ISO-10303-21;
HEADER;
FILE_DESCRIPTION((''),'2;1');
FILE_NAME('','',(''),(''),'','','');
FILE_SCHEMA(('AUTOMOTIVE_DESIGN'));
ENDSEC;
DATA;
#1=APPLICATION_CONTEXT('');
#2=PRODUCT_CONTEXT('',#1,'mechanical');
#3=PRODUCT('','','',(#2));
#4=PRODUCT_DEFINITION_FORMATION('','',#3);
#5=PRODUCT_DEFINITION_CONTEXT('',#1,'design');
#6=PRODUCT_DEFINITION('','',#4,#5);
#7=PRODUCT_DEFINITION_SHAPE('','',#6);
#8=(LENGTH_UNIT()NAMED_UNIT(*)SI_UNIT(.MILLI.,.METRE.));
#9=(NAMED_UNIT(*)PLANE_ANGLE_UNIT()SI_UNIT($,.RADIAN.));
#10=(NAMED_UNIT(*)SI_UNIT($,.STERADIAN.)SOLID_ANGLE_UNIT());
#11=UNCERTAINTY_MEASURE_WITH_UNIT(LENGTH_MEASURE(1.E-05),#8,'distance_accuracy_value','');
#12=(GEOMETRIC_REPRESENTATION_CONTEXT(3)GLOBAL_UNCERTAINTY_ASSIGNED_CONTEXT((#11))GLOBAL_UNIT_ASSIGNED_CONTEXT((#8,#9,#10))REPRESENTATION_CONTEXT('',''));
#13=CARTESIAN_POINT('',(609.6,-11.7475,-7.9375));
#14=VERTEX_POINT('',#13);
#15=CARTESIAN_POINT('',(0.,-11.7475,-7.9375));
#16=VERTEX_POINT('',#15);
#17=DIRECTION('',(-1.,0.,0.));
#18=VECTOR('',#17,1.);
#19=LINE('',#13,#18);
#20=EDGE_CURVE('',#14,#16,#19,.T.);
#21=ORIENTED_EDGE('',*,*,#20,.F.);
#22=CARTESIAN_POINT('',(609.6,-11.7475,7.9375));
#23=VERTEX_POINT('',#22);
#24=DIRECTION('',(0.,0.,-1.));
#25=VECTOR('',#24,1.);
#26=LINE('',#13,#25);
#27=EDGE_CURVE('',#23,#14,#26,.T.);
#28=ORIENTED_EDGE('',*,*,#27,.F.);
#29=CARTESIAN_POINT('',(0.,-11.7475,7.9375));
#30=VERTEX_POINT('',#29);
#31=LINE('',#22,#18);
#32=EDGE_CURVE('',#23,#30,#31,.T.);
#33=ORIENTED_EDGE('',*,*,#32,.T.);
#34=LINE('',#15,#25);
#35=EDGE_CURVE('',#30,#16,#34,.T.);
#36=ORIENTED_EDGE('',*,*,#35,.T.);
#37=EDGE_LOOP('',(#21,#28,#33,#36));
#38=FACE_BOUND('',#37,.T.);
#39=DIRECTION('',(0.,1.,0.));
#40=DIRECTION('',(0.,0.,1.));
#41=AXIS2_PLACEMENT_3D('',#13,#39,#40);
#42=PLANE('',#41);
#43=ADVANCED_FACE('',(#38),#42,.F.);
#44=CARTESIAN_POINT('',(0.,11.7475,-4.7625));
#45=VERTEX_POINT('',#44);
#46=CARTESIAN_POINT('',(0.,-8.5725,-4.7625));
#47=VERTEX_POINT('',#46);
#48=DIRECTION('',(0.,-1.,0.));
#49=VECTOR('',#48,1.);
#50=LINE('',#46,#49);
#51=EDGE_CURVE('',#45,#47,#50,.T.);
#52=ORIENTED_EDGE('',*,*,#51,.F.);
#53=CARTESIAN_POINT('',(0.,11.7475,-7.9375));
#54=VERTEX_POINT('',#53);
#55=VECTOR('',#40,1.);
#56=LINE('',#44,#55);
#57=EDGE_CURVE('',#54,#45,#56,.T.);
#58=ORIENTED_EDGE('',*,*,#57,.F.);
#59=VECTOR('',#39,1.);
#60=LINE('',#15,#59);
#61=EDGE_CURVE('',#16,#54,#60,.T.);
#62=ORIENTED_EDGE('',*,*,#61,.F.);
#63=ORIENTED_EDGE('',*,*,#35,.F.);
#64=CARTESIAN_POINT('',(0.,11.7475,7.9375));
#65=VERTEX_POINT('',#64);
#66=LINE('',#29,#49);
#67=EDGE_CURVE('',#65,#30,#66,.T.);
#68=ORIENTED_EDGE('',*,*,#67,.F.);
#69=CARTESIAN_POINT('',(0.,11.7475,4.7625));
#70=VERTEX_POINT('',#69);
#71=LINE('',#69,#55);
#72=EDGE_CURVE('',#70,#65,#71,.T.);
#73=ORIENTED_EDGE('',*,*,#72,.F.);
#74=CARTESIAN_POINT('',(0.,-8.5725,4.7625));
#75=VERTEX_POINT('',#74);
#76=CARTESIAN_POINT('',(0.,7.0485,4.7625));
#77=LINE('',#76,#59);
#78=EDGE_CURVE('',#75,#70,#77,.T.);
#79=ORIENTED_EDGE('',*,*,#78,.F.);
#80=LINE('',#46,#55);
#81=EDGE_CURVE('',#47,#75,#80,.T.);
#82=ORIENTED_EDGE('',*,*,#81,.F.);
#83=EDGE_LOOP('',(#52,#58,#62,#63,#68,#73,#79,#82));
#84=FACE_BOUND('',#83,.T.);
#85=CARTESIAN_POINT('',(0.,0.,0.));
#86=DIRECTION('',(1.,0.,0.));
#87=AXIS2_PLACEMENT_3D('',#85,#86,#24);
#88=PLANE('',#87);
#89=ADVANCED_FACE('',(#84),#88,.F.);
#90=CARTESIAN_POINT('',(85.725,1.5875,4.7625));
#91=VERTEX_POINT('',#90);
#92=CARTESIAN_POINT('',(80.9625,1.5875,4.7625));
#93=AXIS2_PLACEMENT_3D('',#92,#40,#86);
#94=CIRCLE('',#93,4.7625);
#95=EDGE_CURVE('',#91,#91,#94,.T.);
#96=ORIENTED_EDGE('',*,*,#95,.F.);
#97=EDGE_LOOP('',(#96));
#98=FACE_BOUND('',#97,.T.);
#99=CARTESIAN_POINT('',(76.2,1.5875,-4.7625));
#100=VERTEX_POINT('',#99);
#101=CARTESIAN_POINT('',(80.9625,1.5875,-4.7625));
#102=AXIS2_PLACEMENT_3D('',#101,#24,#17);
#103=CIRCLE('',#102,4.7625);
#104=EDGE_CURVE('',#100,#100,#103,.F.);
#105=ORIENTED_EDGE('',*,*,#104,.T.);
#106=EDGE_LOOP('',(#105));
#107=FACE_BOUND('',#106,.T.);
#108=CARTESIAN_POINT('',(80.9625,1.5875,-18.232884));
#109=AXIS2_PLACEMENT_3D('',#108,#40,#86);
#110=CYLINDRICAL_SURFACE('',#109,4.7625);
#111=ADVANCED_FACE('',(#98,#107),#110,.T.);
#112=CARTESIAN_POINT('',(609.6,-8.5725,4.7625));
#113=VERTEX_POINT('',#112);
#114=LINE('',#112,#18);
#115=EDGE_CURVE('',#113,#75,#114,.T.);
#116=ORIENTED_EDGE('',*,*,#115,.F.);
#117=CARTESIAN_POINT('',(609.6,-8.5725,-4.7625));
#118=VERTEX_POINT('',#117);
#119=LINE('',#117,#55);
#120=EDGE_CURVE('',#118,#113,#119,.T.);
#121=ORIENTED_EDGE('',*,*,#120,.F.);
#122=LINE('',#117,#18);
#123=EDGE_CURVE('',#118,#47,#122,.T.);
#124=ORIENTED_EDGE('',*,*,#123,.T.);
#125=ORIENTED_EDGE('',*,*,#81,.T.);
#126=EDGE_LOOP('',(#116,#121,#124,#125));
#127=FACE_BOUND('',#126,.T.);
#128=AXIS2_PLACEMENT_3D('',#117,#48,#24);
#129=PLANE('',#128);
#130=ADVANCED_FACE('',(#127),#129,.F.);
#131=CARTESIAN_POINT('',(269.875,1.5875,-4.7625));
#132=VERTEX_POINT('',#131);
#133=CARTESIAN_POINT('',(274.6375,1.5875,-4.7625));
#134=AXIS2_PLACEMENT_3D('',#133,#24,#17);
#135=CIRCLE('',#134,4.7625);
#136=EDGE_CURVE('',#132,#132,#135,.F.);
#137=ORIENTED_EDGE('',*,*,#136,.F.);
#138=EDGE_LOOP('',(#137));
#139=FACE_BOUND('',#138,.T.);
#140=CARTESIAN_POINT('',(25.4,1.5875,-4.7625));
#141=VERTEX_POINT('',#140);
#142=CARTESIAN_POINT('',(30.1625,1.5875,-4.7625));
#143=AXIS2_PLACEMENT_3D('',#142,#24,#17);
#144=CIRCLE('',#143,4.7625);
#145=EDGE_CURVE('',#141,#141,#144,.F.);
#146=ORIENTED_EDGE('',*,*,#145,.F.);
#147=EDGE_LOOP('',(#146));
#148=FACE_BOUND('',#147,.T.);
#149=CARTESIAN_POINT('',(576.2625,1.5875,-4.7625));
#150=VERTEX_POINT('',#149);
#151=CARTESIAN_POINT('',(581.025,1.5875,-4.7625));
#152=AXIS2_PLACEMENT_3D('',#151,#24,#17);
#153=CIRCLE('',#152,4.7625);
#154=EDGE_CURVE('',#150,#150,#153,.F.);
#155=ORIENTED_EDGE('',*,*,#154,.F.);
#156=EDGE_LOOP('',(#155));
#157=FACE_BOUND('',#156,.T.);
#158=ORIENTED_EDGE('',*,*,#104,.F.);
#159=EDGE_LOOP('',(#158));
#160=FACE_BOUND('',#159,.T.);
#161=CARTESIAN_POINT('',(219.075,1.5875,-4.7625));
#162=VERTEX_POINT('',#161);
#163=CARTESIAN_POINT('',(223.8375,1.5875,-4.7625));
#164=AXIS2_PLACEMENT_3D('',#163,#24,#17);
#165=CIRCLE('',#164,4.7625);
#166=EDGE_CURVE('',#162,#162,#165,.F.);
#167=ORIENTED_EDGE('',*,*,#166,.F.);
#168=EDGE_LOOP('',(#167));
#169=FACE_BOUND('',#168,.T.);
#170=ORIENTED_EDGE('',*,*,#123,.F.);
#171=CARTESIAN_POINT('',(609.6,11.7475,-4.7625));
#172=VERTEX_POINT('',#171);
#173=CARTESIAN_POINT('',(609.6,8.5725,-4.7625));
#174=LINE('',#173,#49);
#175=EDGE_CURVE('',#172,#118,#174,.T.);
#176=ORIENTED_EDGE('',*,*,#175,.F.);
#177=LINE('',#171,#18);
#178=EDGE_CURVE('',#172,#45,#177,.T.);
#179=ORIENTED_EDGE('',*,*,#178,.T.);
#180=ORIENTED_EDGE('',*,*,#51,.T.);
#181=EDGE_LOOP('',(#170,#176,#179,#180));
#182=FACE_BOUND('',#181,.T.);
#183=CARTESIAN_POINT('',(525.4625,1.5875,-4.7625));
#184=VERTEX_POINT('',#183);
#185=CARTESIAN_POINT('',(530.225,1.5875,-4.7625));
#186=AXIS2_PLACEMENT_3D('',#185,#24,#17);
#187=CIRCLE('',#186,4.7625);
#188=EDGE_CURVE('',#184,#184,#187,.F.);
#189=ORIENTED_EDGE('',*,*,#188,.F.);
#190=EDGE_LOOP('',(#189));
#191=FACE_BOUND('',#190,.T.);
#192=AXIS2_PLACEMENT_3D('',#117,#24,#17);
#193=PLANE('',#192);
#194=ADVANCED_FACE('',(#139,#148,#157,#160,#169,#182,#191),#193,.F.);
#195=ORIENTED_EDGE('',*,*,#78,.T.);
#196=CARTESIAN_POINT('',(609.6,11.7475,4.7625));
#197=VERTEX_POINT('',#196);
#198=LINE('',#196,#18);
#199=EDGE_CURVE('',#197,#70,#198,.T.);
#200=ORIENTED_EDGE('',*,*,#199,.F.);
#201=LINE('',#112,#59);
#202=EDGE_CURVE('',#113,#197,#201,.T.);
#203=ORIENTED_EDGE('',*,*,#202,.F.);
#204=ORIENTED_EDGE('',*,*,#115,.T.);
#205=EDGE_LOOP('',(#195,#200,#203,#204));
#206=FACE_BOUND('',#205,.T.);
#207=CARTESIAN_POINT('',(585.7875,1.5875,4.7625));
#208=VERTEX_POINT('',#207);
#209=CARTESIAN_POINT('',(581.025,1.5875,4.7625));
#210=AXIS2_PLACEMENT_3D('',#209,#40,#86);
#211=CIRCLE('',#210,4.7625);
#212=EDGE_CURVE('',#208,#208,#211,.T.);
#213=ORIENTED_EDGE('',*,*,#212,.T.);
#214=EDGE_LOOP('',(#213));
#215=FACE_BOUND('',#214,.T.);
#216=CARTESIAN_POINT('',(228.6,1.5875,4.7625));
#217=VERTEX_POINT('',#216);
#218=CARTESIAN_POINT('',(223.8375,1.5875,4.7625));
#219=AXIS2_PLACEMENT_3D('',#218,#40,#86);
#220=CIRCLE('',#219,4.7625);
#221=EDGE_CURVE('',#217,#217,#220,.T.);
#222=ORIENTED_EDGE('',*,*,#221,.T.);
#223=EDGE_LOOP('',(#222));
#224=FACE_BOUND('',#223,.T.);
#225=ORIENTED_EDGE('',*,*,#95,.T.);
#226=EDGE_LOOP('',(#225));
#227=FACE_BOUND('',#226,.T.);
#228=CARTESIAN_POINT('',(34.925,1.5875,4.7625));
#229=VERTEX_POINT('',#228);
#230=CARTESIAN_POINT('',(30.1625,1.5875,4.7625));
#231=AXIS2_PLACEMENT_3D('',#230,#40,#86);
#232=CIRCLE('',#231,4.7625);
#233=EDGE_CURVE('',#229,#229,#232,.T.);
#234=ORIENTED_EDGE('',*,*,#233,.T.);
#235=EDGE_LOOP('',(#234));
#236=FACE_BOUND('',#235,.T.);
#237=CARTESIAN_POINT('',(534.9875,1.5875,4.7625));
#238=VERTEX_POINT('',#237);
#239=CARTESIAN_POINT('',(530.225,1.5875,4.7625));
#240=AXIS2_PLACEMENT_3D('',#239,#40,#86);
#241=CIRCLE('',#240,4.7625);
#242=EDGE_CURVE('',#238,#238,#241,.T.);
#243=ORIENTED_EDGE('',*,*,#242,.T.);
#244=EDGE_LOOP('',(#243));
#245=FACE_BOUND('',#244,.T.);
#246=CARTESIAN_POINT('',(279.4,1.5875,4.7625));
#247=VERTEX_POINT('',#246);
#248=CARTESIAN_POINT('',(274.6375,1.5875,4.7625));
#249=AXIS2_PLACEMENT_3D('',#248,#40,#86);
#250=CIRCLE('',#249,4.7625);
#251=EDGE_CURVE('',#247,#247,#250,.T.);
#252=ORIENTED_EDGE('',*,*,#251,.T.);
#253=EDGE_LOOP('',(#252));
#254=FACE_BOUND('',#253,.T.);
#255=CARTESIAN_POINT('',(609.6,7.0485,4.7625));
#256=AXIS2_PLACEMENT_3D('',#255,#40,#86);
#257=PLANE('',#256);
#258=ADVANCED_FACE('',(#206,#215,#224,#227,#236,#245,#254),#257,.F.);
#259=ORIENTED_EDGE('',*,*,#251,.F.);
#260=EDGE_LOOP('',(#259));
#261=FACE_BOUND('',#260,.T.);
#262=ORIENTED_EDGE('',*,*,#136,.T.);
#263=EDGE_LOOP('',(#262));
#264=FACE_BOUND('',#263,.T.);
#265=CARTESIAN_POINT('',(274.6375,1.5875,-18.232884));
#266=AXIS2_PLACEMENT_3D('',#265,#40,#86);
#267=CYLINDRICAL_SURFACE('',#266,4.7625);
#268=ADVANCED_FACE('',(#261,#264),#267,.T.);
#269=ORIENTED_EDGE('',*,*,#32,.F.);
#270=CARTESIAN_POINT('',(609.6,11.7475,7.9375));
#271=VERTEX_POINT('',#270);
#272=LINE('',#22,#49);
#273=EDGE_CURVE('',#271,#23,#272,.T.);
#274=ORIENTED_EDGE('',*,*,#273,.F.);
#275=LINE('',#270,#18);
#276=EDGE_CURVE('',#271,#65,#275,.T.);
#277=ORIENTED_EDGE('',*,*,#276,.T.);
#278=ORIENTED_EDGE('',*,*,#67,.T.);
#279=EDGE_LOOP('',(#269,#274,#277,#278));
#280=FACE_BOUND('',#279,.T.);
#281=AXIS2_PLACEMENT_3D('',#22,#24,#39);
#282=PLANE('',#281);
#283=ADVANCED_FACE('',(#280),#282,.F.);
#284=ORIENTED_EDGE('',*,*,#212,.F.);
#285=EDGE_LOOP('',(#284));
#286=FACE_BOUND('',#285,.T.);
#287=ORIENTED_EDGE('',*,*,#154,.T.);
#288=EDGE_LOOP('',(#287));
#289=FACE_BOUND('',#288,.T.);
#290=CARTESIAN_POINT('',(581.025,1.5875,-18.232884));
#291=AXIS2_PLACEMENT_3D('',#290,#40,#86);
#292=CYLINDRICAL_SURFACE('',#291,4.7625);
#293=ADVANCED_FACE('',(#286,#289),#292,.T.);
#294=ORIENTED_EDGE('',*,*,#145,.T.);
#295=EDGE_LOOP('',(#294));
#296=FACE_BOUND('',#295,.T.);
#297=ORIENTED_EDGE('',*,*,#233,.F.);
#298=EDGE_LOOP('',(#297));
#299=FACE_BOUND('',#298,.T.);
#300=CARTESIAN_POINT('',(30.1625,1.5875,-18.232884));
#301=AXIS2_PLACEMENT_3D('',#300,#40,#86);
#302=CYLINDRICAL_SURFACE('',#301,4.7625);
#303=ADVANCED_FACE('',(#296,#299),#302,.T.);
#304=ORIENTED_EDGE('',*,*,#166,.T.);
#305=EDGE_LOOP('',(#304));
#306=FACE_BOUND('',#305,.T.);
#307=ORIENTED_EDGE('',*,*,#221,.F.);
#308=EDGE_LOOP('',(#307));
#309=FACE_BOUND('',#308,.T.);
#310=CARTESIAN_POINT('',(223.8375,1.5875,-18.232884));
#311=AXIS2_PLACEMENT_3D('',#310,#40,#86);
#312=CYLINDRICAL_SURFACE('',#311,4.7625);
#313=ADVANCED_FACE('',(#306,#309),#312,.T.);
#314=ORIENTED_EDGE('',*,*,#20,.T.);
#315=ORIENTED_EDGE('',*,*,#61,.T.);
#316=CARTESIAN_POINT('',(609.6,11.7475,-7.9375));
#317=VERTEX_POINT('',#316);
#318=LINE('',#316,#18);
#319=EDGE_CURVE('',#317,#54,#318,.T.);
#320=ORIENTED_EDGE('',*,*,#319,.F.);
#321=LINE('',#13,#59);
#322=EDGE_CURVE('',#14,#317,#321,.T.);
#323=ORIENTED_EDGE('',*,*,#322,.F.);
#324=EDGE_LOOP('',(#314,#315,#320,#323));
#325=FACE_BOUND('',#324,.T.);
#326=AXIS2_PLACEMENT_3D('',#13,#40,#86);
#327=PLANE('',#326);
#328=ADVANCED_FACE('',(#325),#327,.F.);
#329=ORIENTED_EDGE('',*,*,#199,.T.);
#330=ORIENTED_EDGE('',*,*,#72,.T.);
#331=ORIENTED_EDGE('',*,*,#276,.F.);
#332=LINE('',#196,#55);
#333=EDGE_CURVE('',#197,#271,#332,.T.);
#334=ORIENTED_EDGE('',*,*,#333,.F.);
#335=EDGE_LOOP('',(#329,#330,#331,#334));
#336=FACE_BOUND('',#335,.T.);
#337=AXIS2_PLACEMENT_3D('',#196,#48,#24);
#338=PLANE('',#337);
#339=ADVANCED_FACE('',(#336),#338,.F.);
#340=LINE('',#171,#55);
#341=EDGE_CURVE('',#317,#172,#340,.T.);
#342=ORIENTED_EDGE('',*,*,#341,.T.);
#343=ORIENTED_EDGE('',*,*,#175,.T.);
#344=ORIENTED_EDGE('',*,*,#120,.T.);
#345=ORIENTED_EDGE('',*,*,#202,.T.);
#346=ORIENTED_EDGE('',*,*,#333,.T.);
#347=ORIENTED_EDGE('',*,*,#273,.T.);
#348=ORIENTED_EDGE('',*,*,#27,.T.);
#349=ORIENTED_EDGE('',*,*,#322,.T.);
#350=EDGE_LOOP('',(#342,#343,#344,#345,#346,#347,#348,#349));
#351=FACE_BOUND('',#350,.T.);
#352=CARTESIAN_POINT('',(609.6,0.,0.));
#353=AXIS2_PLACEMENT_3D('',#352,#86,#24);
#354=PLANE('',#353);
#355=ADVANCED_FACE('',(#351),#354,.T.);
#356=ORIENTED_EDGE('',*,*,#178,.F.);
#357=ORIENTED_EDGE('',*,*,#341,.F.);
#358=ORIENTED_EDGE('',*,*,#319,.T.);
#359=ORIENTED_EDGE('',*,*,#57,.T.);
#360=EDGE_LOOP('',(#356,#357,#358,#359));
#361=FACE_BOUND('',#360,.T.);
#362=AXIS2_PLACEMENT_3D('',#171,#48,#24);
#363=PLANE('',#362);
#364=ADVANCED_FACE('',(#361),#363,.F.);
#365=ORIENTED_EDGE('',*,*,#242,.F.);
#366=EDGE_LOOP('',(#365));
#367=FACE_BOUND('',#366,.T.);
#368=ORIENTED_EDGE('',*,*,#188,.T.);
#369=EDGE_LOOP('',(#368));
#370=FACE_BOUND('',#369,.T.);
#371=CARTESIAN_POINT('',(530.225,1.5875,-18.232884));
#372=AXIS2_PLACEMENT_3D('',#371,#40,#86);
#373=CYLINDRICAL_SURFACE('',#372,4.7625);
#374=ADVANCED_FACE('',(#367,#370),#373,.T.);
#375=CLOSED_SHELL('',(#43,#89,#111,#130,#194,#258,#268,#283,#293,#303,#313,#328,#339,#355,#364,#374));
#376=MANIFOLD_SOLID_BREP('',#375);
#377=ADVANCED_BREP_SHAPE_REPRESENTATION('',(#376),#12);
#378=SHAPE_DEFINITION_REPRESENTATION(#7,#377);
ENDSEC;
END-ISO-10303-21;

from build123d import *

# Parameters (mm, degrees)
BOSS_EXTRUDE1_DEPTH = 609.6
SKETCH2_R           = 4.7625
BOSS_EXTRUDE5_DEPTH = 9.525


with BuildPart() as part:
    # Sketch1 → Boss-Extrude1 (new body)
    with BuildSketch(Plane(origin=(0, 0, 0), x_dir=(0, 0, -1), z_dir=(1, 0, 0))):
        Polygon((-4.7625, 7.0485), (-4.7625, 11.7475), (-7.9375, 11.7475), (-7.9375, -11.7475), (7.9375, -11.7475), (7.9375, 11.7475), (4.7625, 11.7475), (4.7625, 8.5725), (4.7625, -8.5725), (-4.7625, -8.5725), align=None)
    extrude(amount=BOSS_EXTRUDE1_DEPTH)

    # Sketch2 → Boss-Extrude5 (add)
    with BuildSketch(Plane.XY.offset(4.7625)):
        with Locations((581.025, 1.5875)):
            Circle(SKETCH2_R)
        with Locations((530.225, 1.5875)):
            Circle(SKETCH2_R)
        with Locations((274.6375, 1.5875)):
            Circle(SKETCH2_R)
        with Locations((223.8375, 1.5875)):
            Circle(SKETCH2_R)
        with Locations((30.1625, 1.5875)):
            Circle(SKETCH2_R)
        with Locations((80.9625, 1.5875)):
            Circle(SKETCH2_R)
    extrude(amount=-BOSS_EXTRUDE5_DEPTH)


solid = part.part
